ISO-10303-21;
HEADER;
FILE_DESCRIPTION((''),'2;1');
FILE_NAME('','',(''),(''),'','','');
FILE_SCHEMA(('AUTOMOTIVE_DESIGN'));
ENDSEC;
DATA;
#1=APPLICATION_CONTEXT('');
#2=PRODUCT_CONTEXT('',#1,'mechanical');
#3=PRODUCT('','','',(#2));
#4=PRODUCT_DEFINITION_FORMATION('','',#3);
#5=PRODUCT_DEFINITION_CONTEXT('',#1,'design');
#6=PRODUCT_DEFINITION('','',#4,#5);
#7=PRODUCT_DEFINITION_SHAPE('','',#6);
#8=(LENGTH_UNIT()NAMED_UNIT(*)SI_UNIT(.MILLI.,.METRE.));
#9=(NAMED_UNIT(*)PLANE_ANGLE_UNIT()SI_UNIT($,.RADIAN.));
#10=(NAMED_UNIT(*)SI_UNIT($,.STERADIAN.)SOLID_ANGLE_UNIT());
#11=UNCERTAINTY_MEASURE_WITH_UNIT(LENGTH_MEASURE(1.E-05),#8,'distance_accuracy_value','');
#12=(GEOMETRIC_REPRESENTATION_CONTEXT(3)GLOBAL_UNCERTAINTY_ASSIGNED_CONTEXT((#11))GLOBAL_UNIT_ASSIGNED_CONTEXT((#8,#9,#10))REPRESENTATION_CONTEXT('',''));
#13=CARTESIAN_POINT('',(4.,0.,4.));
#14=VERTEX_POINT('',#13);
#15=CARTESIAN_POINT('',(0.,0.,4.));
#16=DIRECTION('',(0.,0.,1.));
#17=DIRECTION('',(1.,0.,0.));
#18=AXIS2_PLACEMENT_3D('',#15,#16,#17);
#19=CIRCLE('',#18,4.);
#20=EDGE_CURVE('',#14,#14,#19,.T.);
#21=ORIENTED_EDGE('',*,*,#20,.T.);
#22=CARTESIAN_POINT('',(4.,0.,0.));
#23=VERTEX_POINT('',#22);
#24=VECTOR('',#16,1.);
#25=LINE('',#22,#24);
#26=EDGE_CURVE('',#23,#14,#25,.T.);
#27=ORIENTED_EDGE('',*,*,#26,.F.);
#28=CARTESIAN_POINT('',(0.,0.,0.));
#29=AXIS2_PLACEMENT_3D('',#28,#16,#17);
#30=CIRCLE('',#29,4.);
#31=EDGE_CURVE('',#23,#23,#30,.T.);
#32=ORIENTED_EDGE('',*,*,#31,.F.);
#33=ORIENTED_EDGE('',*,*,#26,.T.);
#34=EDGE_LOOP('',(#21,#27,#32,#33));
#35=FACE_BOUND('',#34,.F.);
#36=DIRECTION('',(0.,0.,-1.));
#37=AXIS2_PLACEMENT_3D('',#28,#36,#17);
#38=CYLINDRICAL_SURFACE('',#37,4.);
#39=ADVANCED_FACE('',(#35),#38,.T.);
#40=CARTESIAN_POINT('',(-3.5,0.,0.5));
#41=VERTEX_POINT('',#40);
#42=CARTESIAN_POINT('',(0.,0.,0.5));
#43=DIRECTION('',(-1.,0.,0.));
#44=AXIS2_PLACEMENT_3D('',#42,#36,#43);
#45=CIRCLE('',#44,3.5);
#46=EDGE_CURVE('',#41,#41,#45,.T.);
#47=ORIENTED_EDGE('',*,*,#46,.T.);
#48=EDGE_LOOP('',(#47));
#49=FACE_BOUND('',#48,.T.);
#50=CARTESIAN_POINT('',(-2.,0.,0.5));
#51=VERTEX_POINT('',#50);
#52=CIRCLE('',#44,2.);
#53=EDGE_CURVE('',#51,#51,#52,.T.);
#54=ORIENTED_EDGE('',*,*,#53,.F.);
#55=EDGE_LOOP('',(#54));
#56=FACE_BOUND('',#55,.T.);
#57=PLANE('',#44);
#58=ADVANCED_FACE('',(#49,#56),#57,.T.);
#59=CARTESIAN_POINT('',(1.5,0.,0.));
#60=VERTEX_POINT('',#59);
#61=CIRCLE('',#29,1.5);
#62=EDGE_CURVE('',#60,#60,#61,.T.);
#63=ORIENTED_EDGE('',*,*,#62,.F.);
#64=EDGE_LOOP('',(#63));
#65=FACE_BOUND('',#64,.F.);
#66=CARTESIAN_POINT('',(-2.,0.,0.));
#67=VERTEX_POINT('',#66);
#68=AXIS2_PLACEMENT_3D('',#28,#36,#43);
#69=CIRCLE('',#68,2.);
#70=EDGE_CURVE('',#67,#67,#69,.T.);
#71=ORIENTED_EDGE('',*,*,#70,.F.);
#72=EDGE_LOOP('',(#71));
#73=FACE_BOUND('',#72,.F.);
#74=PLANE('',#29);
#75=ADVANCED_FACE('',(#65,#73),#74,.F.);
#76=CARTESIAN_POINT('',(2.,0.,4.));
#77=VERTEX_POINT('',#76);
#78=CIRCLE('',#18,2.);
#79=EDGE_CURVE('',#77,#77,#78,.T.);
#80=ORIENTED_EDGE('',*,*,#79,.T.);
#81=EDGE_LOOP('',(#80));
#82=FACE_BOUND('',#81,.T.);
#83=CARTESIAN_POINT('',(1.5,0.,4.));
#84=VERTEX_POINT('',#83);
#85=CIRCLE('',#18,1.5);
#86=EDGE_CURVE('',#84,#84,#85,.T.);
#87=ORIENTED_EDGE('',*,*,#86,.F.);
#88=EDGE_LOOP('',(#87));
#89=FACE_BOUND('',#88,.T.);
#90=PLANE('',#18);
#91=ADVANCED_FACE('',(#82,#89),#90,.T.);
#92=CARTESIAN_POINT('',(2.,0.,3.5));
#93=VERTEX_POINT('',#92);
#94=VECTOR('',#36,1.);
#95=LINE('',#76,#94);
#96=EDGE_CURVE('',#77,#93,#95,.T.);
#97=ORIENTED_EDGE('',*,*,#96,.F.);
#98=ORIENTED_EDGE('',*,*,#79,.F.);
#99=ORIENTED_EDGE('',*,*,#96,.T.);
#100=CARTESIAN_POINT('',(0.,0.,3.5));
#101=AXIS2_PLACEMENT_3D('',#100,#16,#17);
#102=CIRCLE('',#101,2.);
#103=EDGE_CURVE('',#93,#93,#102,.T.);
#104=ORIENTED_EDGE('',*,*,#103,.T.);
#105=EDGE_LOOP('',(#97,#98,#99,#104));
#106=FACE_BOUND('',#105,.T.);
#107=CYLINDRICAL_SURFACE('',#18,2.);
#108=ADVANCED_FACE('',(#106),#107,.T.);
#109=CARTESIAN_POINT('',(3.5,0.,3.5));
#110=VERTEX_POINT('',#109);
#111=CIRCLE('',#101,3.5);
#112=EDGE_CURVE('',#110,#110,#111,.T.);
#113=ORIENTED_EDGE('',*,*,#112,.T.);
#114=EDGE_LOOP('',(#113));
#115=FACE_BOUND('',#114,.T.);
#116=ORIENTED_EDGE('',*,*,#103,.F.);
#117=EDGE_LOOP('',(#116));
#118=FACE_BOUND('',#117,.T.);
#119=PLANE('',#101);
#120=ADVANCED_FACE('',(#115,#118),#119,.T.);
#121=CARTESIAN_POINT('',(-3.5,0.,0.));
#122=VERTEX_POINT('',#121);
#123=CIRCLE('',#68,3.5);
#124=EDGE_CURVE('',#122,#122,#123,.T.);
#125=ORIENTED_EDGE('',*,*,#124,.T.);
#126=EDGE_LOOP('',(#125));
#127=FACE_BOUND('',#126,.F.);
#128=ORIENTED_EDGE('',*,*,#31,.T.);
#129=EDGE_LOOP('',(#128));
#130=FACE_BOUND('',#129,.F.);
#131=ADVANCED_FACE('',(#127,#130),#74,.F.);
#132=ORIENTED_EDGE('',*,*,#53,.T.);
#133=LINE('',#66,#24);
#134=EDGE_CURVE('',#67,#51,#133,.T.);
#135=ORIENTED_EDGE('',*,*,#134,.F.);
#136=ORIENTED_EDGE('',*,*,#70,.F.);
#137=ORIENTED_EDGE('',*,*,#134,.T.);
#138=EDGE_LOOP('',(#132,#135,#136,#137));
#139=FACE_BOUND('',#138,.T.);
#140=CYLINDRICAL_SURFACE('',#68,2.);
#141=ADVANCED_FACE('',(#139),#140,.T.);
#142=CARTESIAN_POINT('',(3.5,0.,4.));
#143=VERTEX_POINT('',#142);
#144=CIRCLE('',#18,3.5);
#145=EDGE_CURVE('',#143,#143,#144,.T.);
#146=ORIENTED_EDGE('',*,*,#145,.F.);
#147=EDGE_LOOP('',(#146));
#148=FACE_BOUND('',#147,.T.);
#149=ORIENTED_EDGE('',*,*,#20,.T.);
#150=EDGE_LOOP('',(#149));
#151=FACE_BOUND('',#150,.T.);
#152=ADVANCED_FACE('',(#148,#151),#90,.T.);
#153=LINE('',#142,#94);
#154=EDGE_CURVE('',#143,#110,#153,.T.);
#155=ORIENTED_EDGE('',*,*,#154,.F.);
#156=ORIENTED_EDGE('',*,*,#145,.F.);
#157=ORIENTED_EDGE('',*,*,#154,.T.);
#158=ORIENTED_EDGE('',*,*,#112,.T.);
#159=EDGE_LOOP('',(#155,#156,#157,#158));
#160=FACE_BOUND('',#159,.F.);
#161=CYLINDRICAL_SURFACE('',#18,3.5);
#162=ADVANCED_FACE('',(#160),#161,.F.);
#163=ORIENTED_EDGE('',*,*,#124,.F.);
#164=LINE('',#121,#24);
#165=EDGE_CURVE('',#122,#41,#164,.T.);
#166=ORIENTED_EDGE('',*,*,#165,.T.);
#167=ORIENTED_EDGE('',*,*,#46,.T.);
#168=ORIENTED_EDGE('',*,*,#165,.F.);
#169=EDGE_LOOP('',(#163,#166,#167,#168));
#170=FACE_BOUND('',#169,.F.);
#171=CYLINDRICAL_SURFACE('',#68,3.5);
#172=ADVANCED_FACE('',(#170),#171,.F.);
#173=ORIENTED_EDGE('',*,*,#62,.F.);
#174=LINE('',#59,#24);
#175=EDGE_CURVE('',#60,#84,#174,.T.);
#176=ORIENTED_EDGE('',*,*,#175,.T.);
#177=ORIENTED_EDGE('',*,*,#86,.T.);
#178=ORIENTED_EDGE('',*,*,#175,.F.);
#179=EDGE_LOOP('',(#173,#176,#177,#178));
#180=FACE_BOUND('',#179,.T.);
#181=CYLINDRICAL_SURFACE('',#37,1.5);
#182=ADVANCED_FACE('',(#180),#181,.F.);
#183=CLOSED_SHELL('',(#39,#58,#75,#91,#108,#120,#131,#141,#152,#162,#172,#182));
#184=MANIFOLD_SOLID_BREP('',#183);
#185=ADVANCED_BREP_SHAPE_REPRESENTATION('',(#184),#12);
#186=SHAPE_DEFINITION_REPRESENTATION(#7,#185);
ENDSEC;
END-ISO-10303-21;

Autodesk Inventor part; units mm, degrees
ref_plane "YZ Plane" through (0, 0, 0) normal (1, 0, 0) x (0, 1, 0)
ref_plane "XZ Plane" through (0, 0, 0) normal (0, 1, 0) x (-1, 0, 0)
ref_plane "XY Plane" through (0, 0, 0) normal (0, 0, 1) x (1, 0, 0)
sketch "スケッチ1" plane through (0, 0, 0) normal (0, 0, 1) x (1, 0, 0)
  circle A0 centre (0, 0) radius 1.5
  circle A1 centre (0, 0) radius 4
  dimension "d0" = 3
  dimension "d1" = 8
extrude "押し出し1" add sketch "スケッチ1" along normal blind 4
sketch "スケッチ3" plane through (0, 0, 4) normal (0, 0, 1) x (1, 0, 0)
  circle A0 centre (0, 0) radius 1.5 projected
  circle A1 centre (0, 0) radius 4 projected
  circle A2 centre (0, 0) radius 3.5
  circle A3 centre (0, 0) radius 2
  dimension "d7" = 0.5
  dimension "d8" = 0.5
extrude "押し出し3" cut sketch "スケッチ3" against normal blind 0.5 contours A2
sketch "スケッチ7" plane through (0, 0, 0) normal (0, 0, -1) x (-1, 0, 0)
  circle A0 centre (0, 0) radius 2 projected
  circle A1 centre (0, 0) radius 3.5 projected
extrude "押し出し6" cut sketch "スケッチ7" against normal blind 0.5
properties part number "ベアリングd3D8B4F無" material "鋼、炭素鋼"
